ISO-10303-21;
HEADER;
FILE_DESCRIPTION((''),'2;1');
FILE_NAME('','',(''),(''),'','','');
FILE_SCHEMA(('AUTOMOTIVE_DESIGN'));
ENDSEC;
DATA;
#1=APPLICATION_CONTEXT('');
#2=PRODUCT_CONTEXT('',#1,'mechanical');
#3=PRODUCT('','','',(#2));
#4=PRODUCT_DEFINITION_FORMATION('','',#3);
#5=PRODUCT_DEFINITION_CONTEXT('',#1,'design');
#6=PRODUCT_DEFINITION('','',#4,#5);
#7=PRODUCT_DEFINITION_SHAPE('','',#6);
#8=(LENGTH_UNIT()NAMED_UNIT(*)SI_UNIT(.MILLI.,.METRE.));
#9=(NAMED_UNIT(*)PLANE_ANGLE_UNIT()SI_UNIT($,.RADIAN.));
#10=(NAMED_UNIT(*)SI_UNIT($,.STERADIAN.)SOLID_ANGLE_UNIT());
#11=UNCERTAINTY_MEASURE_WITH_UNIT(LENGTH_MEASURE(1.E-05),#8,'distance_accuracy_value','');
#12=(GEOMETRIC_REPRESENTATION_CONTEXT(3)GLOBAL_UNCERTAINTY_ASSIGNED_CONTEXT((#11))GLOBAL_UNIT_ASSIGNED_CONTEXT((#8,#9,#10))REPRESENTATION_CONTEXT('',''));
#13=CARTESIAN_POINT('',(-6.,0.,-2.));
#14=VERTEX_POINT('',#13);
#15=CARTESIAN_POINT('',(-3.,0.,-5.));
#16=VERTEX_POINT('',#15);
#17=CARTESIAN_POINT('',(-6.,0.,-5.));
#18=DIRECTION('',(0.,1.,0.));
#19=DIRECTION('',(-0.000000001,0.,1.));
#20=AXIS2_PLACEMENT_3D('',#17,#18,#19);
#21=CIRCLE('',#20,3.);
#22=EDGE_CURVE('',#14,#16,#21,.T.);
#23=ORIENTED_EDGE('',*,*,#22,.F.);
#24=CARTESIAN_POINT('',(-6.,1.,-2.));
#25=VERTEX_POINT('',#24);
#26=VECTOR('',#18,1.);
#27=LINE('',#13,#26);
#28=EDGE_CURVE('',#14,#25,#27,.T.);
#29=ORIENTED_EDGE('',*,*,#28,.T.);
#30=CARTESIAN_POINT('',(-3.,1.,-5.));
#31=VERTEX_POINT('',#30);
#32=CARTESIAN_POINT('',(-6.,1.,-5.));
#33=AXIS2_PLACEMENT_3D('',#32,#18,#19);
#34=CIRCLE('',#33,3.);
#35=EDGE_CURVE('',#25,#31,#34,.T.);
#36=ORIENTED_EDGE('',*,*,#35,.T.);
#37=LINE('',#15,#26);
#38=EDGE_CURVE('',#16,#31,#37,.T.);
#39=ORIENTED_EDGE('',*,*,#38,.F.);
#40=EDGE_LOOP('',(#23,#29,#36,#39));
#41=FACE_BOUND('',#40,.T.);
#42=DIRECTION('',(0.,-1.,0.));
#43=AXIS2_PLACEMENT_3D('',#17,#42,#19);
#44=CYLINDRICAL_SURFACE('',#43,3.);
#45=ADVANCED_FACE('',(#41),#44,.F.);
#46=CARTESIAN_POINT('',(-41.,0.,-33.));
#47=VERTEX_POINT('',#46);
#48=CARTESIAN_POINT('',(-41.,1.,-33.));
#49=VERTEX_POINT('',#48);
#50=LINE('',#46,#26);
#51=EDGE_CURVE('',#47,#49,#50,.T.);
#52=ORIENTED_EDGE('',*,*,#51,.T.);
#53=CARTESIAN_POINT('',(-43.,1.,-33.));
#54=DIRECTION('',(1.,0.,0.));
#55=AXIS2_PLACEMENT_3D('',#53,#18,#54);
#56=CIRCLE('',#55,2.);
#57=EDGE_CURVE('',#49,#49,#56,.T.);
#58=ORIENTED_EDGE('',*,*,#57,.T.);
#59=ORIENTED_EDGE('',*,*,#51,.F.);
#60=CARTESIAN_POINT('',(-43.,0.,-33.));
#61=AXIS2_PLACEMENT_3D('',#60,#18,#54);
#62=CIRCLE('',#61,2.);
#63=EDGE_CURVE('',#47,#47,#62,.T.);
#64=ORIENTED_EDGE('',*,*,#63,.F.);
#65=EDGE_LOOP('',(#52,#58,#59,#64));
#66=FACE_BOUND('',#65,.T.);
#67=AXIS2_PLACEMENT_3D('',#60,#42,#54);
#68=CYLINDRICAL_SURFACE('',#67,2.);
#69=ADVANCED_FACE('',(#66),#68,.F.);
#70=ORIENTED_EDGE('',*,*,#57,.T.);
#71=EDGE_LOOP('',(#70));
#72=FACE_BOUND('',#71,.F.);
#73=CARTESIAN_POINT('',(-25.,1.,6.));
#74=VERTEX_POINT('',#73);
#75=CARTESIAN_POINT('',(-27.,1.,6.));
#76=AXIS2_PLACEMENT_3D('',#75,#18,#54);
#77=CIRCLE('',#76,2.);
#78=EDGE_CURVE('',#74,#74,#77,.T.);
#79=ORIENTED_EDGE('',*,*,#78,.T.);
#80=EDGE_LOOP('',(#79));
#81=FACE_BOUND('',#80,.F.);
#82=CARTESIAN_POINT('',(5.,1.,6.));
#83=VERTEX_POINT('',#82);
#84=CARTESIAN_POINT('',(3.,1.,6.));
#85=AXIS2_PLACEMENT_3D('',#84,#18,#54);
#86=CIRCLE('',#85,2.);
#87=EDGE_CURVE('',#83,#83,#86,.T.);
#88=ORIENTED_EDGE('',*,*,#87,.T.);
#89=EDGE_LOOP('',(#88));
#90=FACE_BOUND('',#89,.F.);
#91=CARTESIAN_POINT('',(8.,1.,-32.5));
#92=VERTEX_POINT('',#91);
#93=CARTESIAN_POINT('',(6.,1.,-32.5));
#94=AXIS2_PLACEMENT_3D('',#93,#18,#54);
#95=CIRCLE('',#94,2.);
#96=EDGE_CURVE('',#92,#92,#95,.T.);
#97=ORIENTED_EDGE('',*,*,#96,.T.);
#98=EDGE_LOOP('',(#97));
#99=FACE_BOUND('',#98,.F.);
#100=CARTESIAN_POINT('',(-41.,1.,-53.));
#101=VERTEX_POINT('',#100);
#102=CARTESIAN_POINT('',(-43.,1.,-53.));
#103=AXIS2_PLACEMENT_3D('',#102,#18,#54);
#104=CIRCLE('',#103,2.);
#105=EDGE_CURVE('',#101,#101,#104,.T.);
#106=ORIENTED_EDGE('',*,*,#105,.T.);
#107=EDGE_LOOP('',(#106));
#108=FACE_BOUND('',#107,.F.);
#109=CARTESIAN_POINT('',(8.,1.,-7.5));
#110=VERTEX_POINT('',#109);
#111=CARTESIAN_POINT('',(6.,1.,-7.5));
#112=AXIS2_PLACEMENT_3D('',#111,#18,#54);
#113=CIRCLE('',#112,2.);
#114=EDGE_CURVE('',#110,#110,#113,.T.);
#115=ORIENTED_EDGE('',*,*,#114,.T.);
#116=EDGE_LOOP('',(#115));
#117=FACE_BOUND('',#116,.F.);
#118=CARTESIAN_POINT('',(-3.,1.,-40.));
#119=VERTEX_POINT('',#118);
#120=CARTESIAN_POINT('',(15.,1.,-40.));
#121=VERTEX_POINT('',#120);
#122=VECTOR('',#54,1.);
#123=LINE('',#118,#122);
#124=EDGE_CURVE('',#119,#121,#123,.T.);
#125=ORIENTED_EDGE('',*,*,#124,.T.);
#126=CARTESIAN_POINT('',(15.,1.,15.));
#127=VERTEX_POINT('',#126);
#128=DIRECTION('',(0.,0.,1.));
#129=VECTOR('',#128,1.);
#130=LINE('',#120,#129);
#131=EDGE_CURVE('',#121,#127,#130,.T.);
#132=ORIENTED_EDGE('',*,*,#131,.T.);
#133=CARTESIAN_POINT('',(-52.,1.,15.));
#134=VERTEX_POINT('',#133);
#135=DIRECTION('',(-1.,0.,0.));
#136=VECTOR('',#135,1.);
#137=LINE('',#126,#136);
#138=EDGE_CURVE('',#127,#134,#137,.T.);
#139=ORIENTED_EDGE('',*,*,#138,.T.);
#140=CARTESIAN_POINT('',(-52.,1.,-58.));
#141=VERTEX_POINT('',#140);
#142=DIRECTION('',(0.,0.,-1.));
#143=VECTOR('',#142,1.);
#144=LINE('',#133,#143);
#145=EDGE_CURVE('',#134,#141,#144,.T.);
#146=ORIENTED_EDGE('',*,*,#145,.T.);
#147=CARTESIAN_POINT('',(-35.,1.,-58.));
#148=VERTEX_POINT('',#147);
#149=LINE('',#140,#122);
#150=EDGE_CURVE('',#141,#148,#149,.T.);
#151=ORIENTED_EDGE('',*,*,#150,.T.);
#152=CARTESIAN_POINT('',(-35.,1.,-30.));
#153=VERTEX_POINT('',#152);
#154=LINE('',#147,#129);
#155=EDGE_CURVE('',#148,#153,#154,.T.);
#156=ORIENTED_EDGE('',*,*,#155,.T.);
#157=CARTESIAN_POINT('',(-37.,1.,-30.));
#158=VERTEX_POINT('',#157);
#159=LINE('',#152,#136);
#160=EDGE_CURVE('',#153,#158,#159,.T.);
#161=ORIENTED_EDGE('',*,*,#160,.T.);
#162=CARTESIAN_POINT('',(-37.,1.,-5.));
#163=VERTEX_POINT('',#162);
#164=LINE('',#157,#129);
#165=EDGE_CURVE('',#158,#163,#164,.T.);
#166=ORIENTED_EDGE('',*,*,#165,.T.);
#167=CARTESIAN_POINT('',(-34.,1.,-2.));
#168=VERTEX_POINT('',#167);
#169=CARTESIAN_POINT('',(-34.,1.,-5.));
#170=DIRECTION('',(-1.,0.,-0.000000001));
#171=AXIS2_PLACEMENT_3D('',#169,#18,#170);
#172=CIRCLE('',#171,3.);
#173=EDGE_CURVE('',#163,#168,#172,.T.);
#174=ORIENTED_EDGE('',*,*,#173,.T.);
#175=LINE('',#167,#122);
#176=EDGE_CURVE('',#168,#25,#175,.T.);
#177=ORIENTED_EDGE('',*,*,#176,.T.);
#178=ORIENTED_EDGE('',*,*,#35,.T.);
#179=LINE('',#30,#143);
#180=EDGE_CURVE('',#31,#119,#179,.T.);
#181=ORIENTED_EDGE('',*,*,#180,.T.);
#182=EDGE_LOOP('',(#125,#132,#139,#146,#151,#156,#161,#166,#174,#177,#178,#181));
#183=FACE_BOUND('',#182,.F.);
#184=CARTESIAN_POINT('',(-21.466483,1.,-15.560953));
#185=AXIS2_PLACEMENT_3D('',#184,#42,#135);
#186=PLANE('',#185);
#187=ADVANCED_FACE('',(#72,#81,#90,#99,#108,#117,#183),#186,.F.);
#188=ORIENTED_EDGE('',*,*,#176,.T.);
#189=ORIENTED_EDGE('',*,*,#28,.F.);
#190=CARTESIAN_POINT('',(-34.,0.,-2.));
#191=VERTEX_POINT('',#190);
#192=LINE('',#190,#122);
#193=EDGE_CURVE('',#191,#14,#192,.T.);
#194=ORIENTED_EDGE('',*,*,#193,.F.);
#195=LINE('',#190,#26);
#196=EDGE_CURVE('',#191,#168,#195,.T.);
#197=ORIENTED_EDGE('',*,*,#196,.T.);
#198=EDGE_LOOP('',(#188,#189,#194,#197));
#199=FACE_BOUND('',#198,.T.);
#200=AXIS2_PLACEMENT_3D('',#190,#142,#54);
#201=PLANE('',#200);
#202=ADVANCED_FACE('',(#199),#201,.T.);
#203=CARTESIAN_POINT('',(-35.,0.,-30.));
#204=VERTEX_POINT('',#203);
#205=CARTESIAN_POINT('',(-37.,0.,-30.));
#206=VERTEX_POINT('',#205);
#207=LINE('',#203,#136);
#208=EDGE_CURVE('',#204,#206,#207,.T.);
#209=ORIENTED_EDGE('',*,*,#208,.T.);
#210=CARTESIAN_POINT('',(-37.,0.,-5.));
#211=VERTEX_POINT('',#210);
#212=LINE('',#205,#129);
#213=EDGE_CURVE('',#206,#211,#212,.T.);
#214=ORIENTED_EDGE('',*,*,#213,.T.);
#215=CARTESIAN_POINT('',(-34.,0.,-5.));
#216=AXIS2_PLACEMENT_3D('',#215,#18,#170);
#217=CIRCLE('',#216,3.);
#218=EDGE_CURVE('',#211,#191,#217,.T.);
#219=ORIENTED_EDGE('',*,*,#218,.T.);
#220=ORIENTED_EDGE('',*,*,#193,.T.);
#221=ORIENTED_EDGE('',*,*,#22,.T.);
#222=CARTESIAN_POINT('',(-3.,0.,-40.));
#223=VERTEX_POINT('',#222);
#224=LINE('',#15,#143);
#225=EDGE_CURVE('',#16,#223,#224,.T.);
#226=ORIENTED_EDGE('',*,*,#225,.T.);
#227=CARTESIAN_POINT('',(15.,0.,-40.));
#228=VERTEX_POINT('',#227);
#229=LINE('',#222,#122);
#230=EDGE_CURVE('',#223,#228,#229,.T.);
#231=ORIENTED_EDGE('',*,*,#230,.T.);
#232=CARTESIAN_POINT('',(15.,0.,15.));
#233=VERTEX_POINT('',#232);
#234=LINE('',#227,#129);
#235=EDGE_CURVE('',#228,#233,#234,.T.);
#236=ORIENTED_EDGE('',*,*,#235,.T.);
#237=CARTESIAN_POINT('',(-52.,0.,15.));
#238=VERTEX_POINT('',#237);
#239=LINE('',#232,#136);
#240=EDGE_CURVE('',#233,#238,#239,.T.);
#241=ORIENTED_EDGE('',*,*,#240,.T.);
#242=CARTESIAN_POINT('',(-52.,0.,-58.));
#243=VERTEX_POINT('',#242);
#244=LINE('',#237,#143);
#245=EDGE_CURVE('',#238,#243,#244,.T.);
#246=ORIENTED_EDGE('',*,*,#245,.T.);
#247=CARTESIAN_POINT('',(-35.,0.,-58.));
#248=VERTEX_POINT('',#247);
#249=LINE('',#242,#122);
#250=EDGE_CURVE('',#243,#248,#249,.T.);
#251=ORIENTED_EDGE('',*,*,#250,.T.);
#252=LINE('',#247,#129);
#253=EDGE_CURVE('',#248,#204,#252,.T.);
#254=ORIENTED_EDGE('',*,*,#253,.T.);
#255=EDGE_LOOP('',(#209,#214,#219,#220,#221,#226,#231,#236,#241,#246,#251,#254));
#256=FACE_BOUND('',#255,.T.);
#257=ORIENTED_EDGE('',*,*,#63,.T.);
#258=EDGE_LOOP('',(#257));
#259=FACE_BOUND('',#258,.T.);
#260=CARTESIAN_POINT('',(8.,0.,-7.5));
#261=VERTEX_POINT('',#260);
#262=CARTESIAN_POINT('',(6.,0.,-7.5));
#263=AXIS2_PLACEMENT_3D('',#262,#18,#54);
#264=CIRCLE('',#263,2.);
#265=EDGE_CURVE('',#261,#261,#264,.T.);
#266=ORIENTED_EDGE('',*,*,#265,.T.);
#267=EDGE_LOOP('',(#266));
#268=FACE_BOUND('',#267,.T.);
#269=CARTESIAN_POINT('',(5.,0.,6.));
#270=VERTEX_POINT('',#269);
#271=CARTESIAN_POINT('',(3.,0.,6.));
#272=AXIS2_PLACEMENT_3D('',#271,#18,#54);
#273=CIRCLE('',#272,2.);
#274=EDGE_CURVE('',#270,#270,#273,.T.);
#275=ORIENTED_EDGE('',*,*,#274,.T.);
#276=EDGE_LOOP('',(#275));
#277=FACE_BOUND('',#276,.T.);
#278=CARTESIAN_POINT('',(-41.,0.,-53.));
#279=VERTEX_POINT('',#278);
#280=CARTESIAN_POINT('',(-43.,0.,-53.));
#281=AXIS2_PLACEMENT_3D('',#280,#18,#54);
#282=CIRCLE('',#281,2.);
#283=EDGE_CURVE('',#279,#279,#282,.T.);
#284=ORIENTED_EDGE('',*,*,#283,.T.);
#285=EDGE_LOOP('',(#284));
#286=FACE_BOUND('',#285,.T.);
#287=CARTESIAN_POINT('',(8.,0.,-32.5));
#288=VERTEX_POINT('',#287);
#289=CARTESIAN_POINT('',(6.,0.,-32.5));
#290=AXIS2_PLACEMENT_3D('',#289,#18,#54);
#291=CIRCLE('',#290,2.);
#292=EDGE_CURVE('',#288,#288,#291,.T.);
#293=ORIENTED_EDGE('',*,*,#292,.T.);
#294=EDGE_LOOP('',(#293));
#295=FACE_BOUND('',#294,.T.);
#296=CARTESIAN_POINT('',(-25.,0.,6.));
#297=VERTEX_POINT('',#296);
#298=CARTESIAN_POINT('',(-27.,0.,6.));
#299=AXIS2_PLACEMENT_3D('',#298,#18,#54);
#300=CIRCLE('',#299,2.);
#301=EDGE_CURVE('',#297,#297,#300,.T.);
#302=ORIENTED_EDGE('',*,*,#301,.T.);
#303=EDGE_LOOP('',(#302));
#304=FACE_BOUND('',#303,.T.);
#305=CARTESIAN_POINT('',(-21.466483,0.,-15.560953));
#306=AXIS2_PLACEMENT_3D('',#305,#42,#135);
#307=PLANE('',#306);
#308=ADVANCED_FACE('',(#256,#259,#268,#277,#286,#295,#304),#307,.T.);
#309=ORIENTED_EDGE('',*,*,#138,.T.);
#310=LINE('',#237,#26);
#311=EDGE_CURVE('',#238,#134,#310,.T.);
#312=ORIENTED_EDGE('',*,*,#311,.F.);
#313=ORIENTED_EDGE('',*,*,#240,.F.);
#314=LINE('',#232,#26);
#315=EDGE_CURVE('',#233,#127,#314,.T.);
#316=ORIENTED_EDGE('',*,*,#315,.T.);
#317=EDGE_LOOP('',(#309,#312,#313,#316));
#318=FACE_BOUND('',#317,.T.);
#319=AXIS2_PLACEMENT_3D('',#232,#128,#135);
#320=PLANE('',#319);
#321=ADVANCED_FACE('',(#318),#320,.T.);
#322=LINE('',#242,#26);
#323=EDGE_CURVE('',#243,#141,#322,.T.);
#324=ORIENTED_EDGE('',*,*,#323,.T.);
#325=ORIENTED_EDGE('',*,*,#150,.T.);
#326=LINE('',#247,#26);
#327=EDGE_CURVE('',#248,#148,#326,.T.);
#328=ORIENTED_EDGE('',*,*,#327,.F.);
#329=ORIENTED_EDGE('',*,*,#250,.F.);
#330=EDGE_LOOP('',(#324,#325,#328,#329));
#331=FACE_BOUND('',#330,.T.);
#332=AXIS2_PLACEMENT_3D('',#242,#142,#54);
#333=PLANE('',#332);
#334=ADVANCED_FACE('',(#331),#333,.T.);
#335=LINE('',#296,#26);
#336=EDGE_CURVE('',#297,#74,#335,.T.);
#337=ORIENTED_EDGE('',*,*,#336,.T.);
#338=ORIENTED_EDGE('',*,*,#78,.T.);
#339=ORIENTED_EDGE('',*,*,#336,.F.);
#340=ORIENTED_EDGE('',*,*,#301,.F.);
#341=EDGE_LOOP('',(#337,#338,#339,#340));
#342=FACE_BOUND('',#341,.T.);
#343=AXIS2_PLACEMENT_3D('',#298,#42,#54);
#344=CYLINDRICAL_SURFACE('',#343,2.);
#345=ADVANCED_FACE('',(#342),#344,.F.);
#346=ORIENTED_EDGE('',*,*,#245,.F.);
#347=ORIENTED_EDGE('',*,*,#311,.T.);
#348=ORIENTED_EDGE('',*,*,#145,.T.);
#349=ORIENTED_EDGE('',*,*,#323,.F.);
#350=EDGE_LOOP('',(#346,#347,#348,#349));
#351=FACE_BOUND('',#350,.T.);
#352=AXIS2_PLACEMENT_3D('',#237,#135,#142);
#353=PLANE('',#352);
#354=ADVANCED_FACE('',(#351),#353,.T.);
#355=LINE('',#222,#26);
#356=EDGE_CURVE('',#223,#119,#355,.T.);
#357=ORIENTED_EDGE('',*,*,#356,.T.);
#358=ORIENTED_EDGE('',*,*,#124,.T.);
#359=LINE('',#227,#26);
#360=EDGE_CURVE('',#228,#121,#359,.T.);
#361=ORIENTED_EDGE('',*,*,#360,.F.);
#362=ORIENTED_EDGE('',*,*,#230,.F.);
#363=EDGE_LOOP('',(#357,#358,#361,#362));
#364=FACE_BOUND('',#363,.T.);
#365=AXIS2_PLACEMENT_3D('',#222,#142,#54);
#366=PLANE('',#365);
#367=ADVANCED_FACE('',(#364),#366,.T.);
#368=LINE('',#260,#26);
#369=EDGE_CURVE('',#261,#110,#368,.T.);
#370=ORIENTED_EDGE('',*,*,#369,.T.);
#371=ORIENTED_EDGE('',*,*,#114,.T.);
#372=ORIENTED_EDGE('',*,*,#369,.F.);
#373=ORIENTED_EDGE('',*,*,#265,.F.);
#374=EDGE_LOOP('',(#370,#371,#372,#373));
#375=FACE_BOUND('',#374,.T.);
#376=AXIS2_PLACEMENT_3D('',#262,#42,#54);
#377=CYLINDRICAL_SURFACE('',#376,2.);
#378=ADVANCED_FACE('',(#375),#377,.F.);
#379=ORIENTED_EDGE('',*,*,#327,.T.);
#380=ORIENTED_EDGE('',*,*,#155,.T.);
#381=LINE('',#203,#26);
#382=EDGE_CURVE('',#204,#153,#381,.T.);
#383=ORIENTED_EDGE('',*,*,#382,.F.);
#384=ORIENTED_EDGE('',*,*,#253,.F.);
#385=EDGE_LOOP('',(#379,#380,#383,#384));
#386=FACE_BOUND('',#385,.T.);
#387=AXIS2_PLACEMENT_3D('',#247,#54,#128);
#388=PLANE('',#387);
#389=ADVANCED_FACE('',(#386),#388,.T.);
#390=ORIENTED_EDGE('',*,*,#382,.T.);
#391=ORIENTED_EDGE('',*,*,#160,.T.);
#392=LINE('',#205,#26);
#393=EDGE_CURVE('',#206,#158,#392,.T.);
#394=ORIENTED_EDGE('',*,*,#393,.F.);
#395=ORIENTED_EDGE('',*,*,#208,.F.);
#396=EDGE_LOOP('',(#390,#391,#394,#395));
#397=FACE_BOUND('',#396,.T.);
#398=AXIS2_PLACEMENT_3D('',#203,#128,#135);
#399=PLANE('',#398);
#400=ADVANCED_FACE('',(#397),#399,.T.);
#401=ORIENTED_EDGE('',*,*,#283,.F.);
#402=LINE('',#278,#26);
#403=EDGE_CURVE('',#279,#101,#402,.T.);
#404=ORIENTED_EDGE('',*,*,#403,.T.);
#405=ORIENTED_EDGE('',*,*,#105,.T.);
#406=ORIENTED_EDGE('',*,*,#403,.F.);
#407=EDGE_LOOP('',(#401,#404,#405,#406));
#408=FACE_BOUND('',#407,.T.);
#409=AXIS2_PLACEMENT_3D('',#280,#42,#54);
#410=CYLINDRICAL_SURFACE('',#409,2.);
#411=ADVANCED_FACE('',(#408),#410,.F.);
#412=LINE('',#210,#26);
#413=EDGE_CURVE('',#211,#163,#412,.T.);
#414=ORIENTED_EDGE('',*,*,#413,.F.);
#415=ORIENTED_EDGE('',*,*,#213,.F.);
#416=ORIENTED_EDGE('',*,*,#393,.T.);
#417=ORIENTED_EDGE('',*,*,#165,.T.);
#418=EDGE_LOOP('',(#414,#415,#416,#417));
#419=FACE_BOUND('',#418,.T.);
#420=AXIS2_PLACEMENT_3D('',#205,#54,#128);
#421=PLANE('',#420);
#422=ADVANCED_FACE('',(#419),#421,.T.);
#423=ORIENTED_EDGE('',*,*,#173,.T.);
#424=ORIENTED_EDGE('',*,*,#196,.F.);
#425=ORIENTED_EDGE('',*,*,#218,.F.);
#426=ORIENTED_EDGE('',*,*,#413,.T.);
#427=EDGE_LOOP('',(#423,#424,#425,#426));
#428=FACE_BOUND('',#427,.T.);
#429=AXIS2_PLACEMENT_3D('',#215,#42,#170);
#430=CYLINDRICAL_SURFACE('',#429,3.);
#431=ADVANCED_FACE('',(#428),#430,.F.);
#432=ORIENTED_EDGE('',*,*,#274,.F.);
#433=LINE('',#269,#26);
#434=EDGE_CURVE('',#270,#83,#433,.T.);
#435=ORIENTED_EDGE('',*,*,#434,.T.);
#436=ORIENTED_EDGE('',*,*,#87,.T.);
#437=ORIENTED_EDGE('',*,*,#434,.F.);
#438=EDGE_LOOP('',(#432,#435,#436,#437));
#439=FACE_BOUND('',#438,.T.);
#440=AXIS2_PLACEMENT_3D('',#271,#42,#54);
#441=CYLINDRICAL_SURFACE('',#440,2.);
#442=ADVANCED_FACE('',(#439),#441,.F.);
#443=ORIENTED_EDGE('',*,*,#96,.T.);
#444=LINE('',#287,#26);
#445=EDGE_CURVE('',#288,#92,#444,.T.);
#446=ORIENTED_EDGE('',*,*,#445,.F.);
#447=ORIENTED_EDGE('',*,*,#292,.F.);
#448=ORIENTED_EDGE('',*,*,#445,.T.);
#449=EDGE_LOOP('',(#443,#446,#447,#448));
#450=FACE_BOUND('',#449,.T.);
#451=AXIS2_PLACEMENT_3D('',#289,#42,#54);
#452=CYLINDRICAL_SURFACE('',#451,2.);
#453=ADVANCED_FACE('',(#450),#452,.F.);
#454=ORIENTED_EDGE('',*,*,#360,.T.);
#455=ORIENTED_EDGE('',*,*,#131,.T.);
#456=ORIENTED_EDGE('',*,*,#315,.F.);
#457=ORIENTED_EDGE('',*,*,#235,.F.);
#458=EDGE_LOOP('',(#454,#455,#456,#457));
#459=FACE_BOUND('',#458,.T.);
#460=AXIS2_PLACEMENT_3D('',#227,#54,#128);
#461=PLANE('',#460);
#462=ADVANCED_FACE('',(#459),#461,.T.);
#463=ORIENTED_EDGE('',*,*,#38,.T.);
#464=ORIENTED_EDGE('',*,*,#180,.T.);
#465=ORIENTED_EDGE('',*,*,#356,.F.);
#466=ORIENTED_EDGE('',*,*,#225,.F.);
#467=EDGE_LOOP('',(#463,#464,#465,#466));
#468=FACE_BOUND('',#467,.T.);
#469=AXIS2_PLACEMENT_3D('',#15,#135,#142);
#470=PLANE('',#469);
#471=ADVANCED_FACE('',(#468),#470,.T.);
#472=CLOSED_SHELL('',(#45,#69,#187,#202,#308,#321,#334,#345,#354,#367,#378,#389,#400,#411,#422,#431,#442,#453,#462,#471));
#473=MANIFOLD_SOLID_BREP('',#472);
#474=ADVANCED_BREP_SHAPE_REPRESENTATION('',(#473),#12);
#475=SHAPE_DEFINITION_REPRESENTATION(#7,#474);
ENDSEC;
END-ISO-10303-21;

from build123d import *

# Parameters (mm, degrees)
SKETCH1_R           = 2
BOSS_EXTRUDE2_DEPTH = 1


with BuildPart() as part:
    # Sketch1 → Boss-Extrude2 (new body)
    with BuildSketch(Plane(origin=(0, 0, 0), x_dir=(1, 0, 0), z_dir=(0, 1, 0))):
        with BuildLine():
            Line((0, 40), (15, 40))
            Line((15, 40), (15, 0))
            Line((15, 0), (15, -15))
            Line((15, -15), (-52, -15))
            Line((-52, -15), (-52, 58))
            Line((-52, 58), (-37, 58))
            Line((-37, 58), (-35, 58))
            Line((-35, 58), (-35, 30))
            Line((-35, 30), (-37, 30))
            Line((-37, 30), (-37, 5))
            ThreePointArc((-37, 5), (-36.121320344, 2.878679656), (-34, 2))
            Line((-34, 2), (-6, 2))
            ThreePointArc((-6, 2), (-3.878679656, 2.878679656), (-3, 5))
            Line((-3, 5), (-3, 40))
            Line((-3, 40), (0, 40))
        make_face()
        with Locations((6, 32.5)):
            Circle(SKETCH1_R, mode=Mode.SUBTRACT)
        with Locations((6, 7.5)):
            Circle(SKETCH1_R, mode=Mode.SUBTRACT)
        with Locations((-43, 53)):
            Circle(SKETCH1_R, mode=Mode.SUBTRACT)
        with Locations((-43, 33)):
            Circle(SKETCH1_R, mode=Mode.SUBTRACT)
        with Locations((-27, -6)):
            Circle(SKETCH1_R, mode=Mode.SUBTRACT)
        with Locations((3, -6)):
            Circle(SKETCH1_R, mode=Mode.SUBTRACT)
    extrude(amount=BOSS_EXTRUDE2_DEPTH)


solid = part.part
